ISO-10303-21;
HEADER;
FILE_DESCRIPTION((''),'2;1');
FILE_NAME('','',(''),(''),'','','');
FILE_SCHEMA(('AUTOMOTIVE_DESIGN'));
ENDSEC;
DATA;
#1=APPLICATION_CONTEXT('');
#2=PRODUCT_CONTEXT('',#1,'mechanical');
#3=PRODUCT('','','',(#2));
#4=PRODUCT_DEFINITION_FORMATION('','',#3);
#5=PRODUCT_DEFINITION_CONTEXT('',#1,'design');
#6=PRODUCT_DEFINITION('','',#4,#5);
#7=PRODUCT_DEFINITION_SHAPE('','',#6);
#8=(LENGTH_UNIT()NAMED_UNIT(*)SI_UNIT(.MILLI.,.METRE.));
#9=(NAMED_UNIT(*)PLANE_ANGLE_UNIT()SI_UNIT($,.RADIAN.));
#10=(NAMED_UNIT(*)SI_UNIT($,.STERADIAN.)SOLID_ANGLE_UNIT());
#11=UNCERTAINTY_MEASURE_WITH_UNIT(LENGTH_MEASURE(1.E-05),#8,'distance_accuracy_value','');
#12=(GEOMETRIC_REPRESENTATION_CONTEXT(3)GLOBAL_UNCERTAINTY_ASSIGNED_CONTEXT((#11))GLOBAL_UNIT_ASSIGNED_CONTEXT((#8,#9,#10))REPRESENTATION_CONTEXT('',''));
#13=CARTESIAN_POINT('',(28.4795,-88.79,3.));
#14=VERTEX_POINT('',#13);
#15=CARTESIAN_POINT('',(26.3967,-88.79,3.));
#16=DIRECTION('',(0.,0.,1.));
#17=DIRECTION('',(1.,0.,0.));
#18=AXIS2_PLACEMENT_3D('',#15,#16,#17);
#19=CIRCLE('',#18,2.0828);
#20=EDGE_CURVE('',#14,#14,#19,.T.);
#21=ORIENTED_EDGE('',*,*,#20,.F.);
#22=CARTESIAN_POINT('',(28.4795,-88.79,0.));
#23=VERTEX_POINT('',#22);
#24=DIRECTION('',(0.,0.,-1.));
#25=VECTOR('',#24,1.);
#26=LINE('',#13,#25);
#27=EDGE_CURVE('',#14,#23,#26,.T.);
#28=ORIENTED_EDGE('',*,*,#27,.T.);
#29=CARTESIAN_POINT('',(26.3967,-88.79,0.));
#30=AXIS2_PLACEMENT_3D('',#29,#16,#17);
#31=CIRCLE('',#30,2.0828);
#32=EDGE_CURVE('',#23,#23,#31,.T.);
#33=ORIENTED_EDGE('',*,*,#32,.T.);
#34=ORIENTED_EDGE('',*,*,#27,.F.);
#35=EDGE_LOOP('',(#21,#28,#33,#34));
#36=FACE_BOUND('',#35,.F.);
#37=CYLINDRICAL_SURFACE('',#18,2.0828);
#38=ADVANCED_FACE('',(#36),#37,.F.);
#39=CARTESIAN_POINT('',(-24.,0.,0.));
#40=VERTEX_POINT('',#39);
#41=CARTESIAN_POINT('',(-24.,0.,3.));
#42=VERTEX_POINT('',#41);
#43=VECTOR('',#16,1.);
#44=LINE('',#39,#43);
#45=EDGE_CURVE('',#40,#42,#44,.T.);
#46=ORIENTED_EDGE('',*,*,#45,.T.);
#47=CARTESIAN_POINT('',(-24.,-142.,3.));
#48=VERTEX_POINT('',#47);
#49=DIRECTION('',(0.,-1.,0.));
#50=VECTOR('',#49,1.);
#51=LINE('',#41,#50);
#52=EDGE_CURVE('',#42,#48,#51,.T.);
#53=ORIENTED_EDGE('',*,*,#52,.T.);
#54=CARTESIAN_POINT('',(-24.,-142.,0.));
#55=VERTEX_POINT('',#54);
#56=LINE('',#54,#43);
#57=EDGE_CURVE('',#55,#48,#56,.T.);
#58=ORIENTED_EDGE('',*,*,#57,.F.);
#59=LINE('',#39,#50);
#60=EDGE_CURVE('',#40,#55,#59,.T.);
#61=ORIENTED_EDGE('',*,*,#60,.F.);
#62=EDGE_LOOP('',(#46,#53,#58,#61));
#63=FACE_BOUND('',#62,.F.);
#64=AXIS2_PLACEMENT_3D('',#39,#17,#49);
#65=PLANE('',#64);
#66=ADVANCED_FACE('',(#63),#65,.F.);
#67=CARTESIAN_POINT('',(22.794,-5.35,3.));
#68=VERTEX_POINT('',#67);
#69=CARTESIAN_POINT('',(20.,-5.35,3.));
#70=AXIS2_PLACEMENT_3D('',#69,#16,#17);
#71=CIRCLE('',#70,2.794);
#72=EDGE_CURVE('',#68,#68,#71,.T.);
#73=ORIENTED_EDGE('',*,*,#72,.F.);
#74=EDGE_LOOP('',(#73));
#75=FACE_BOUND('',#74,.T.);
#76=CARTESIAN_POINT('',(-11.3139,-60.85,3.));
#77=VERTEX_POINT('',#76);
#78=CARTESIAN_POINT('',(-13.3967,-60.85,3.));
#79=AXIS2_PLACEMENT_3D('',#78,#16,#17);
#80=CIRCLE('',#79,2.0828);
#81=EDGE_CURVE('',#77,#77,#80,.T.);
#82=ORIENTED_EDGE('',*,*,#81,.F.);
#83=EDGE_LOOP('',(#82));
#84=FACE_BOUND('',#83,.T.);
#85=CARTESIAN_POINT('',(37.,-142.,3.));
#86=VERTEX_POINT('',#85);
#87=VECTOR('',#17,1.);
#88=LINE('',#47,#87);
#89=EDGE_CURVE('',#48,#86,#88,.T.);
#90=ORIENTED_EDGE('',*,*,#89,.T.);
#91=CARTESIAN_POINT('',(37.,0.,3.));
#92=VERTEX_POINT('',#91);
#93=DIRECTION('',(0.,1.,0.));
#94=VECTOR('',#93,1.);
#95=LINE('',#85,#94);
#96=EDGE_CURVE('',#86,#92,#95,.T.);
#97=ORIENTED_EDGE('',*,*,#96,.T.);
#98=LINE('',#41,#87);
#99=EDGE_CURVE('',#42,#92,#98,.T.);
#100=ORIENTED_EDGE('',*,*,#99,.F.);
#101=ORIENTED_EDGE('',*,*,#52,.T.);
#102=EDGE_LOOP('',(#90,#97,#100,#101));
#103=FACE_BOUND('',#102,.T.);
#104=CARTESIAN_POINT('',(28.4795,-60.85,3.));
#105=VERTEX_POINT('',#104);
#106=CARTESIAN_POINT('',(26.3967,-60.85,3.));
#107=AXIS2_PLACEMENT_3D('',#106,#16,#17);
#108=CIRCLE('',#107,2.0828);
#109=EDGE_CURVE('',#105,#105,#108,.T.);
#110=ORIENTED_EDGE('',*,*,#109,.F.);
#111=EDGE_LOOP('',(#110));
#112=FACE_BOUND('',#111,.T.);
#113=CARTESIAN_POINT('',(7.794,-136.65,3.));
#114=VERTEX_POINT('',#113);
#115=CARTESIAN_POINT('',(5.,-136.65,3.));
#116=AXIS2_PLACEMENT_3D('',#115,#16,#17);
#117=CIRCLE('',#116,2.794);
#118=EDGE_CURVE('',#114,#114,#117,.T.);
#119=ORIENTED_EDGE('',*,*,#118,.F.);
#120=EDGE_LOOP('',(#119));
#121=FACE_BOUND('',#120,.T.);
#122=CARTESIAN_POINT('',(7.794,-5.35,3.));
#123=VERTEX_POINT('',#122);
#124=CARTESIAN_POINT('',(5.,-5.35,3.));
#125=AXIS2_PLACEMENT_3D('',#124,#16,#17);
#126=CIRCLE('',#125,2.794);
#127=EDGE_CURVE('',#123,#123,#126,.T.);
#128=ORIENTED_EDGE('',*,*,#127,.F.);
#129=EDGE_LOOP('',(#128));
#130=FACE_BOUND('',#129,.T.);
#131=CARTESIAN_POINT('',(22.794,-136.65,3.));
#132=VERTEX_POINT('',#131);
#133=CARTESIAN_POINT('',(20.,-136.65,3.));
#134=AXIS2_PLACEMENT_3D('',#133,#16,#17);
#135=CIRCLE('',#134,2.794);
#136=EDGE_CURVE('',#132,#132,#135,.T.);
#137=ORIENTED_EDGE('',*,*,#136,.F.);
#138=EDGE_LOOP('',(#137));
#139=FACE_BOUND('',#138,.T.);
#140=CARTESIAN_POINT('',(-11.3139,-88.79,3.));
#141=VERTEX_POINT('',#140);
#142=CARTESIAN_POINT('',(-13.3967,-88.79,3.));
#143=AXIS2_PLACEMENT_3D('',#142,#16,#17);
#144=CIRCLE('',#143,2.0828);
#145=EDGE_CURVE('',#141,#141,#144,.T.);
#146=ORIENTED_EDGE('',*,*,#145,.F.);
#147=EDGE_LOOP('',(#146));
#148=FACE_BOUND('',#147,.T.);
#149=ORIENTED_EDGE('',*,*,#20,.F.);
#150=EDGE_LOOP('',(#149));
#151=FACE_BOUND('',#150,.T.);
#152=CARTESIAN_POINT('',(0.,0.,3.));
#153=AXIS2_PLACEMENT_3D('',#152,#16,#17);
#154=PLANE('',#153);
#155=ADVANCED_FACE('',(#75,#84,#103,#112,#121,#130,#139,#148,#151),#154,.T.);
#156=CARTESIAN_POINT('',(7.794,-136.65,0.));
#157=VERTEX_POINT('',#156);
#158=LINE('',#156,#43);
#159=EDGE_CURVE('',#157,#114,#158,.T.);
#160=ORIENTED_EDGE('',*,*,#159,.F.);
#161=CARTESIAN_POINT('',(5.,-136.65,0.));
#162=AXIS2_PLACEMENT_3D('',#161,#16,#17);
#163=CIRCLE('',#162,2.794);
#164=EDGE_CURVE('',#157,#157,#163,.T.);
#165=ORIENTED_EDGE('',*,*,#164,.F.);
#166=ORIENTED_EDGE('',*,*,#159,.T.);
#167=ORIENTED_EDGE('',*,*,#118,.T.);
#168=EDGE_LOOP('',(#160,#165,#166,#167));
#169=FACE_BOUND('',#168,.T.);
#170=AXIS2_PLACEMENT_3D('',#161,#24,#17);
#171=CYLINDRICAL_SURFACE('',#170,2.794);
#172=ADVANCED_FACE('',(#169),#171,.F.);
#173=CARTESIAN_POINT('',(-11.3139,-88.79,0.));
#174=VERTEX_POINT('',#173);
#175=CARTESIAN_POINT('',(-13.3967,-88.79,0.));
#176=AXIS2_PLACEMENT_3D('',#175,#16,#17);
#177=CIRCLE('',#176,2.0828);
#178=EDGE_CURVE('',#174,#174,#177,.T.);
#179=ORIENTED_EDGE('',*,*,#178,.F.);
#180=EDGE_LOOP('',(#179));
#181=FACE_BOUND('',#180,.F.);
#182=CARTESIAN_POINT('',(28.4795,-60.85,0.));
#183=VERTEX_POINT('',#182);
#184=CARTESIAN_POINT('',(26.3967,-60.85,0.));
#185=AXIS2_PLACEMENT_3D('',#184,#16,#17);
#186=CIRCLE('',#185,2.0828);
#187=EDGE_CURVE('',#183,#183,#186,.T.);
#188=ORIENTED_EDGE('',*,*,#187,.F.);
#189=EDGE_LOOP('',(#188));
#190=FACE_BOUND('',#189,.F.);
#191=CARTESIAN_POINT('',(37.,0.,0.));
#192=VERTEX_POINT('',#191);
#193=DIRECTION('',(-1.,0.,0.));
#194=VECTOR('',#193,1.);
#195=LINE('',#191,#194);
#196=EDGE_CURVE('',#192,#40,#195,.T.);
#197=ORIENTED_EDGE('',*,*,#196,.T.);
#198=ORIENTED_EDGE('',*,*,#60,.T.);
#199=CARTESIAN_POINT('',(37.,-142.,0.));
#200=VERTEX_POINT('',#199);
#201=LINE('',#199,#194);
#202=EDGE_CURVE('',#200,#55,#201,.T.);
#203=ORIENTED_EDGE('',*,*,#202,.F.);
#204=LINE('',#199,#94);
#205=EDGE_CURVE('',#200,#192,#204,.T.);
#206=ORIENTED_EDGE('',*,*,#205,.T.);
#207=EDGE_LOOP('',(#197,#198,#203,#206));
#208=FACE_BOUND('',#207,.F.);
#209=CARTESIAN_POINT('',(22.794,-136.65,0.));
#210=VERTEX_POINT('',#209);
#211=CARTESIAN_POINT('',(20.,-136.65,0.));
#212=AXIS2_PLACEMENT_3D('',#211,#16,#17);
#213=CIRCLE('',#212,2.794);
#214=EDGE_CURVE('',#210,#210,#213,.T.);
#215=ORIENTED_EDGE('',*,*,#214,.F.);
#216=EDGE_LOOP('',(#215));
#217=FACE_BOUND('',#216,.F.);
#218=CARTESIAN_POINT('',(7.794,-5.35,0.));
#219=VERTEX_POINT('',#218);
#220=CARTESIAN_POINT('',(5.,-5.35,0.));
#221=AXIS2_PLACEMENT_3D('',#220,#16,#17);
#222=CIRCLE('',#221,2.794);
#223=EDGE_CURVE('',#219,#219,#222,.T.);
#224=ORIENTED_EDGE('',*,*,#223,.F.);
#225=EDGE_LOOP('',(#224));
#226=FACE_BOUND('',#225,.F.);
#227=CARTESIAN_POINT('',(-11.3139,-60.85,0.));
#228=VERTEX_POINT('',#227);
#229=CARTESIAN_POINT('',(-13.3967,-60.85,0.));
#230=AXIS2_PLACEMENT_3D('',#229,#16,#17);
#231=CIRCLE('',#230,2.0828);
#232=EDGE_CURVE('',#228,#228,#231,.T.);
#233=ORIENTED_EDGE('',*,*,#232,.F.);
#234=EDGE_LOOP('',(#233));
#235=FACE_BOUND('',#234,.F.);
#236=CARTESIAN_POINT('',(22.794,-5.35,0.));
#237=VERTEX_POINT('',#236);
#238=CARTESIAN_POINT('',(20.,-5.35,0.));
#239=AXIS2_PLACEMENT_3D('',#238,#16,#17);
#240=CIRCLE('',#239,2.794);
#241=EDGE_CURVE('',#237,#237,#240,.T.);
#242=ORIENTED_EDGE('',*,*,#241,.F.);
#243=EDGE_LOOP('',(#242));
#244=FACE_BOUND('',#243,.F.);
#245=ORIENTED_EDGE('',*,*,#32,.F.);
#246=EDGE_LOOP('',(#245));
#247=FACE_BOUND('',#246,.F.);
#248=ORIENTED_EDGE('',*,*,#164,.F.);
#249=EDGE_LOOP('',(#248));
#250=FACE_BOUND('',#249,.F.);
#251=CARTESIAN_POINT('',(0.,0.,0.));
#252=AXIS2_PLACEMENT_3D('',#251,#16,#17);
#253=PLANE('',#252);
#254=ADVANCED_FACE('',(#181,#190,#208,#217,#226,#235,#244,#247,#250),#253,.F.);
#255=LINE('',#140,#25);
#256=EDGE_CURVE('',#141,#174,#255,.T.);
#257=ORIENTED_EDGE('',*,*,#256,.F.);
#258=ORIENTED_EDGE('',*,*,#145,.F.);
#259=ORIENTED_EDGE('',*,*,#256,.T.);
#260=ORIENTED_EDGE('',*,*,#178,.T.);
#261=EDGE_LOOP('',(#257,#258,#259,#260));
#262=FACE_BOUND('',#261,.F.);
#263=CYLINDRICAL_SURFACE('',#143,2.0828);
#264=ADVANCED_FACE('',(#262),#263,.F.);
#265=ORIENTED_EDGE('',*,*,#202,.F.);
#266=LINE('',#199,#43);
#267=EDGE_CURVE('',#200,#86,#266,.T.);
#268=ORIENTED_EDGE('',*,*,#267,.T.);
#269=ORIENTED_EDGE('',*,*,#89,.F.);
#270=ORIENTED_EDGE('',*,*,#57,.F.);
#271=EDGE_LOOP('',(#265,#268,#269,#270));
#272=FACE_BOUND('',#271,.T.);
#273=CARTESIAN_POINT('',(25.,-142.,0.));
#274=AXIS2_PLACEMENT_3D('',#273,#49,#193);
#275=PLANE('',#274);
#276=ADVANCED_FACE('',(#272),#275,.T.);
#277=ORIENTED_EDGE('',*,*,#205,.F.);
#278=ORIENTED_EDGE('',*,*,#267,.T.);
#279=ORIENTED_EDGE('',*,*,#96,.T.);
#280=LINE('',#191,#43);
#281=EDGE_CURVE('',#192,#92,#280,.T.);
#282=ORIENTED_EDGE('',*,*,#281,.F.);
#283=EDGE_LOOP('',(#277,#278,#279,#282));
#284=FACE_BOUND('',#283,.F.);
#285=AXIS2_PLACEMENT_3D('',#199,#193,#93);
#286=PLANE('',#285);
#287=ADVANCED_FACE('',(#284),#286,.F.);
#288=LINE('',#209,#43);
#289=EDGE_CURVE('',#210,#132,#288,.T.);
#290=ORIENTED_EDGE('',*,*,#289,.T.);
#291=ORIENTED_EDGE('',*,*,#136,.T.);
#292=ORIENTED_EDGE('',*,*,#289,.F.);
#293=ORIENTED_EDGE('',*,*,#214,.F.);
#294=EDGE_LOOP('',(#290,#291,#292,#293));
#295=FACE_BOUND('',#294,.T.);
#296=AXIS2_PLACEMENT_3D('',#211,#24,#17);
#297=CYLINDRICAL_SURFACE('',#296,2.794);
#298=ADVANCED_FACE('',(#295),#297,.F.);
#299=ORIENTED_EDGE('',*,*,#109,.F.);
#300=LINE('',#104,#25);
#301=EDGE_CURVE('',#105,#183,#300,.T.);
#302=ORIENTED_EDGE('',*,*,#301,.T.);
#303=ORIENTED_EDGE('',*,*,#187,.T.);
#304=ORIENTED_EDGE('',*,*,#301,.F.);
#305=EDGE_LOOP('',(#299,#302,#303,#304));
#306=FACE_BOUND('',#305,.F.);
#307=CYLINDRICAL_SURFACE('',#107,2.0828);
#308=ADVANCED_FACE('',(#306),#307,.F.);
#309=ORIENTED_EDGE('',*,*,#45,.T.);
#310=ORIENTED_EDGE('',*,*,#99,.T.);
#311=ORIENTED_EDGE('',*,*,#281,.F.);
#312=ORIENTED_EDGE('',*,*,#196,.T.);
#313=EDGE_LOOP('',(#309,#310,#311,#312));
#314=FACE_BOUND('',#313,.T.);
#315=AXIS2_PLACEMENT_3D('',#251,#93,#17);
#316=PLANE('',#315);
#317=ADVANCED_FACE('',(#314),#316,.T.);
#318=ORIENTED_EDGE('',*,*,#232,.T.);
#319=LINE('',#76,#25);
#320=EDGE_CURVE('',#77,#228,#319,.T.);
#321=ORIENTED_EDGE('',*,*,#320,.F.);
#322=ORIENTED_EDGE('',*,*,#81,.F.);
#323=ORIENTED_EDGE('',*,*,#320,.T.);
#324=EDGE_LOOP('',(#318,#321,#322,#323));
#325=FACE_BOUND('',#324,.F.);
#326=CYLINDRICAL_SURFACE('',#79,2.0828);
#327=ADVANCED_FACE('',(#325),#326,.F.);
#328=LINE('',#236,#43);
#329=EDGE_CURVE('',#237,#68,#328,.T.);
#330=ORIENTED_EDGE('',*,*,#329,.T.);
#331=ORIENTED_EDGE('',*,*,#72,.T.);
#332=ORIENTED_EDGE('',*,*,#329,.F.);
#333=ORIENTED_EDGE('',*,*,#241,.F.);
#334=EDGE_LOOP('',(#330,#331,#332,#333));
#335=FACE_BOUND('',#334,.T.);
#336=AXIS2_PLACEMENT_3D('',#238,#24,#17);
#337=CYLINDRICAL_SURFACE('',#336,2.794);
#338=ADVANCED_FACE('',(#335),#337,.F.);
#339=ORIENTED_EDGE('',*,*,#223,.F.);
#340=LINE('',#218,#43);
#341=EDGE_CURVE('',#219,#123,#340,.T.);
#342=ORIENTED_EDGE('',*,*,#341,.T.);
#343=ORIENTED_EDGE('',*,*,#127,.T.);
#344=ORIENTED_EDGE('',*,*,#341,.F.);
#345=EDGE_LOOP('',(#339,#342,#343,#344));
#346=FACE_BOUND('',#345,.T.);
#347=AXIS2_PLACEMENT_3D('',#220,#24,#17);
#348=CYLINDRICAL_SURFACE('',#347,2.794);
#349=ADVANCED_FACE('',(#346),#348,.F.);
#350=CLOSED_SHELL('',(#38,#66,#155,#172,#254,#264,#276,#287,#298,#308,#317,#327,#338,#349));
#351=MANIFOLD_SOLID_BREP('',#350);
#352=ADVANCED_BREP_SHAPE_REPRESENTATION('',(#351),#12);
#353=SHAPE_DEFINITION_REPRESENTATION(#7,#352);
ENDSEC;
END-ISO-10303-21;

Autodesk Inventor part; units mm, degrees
ref_plane "YZ Plane" through (0, 0, 0) normal (1, 0, 0) x (0, 1, 0)
ref_plane "XZ Plane" through (0, 0, 0) normal (0, 1, 0) x (-1, 0, 0)
ref_plane "XY Plane" through (0, 0, 0) normal (0, 0, 1) x (1, 0, 0)
sketch "Sketch1" plane through (0, 0, 0) normal (0, 0, 1) x (1, 0, 0)
  line L0 (0, 0) -> (25, 0)
  line L1 (25, 0) -> (25, -142)
  line L2 (25, -142) -> (0, -142)
  line L3 (0, -142) -> (0, 0)
  line L4 (20, -5.35) -> (5, -5.35) construction
  line L5 (5, -5.35) -> (5, -136.65) construction
  line L6 (5, -136.65) -> (20, -136.65) construction
  line L7 (20, -136.65) -> (20, -5.35) construction
  circle A0 centre (20, -5.35) radius 2.794
  circle A1 centre (5, -5.35) radius 2.794
  circle A2 centre (20, -136.65) radius 2.794
  circle A3 centre (5, -136.65) radius 2.794
  line L8 (0, 0) -> (-24, 0)
  line L9 (-24, 0) -> (-24, -142)
  line L10 (-24, -142) -> (0, -142)
  line L11 (25, -142) -> (37, -142)
  line L12 (37, -142) -> (37, 0)
  line L13 (37, 0) -> (25, 0)
  point P0 (20, -71)
  point P1 (25, -71)
  point P2 (12.5, -136.65)
  point P3 (12.5, -142)
  dimension "d0" = 142
  dimension "d1" = 25
  dimension "d2" = 131.3
  dimension "d3" = 15
  dimension "d4" = 5.588
  dimension "d7" = 12
  dimension "d8" = 24
extrude "Extrusion1" add sketch "Sketch1" along normal blind 3
sketch "Sketch2" plane through (0, 0, 3) normal (0, 0, 1) x (1, 0, 0)
  line L0 (26.3967, -88.79) -> (-13.3967, -88.79) construction
  line L1 (-13.3967, -88.79) -> (-13.3967, -60.85) construction
  line L2 (-13.3967, -60.85) -> (26.3967, -60.85) construction
  line L3 (26.3967, -60.85) -> (26.3967, -88.79) construction
  line L4 (-24, -142) -> (37, -142) construction
  circle A0 centre (26.3967, -60.85) radius 2.0828
  circle A1 centre (26.3967, -88.79) radius 2.0828
  circle A2 centre (-13.3967, -60.85) radius 2.0828
  circle A3 centre (-13.3967, -88.79) radius 2.0828
  point P0 (0, 0)
  point P1 (6.5, -88.79)
  point P2 (6.5, -142)
  dimension "d9" = 53.21
  dimension "d10" = 27.94
  dimension "d11" = 39.7933
  dimension "d12" = 4.1656
extrude "Extrusion2" cut sketch "Sketch2" against normal blind 3
properties part number "Watercooler_Mounting_Plate"
